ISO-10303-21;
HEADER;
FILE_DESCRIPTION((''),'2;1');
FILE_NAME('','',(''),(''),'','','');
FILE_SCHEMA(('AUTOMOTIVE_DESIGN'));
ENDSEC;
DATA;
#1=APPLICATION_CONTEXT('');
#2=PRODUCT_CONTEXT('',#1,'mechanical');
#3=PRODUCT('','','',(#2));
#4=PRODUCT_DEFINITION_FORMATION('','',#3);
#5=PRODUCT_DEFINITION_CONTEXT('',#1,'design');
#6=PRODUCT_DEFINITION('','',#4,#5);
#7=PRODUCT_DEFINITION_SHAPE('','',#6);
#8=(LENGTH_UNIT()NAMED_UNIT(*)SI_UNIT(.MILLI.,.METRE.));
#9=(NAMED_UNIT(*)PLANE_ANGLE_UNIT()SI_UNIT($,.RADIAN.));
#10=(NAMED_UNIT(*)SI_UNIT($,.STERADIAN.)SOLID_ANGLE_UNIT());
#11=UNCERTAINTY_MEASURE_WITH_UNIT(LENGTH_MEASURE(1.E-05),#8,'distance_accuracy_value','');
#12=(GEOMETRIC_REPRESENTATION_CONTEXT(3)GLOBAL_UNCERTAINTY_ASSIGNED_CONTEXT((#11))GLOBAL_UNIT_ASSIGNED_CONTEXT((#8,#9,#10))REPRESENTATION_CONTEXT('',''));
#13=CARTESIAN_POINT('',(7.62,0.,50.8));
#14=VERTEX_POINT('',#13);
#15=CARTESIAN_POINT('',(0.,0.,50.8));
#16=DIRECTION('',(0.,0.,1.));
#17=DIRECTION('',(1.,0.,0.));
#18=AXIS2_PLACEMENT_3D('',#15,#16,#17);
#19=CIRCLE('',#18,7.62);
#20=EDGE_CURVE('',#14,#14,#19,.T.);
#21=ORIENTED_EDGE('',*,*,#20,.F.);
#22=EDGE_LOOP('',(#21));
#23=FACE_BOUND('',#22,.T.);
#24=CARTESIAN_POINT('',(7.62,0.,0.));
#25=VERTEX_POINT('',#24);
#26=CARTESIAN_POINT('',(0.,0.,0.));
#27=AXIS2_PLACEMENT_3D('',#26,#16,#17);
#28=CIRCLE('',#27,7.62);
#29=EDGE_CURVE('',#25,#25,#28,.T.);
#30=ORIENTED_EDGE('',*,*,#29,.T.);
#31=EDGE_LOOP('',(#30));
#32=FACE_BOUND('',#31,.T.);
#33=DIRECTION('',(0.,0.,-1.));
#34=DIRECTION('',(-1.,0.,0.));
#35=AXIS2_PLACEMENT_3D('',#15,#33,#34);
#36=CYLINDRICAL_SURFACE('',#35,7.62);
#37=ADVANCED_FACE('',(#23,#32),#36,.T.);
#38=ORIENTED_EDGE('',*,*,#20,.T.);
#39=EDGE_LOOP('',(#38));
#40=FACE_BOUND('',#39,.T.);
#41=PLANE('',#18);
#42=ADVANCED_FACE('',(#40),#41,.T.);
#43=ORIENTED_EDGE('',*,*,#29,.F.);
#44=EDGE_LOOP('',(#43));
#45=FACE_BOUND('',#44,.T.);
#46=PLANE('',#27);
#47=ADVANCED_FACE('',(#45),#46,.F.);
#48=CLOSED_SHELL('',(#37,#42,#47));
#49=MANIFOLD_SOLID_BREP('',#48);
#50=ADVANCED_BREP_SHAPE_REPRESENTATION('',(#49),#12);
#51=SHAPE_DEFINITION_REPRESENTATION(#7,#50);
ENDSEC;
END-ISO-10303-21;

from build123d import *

# Parameters (mm, degrees)
SKETCH1_R          = 7.62
BASE_EXTRUDE_DEPTH = 50.8


with BuildPart() as part:
    # Sketch1 → Base-Extrude (new body)
    with BuildSketch(Plane.XY):
        Circle(SKETCH1_R)
    extrude(amount=BASE_EXTRUDE_DEPTH)


solid = part.part
